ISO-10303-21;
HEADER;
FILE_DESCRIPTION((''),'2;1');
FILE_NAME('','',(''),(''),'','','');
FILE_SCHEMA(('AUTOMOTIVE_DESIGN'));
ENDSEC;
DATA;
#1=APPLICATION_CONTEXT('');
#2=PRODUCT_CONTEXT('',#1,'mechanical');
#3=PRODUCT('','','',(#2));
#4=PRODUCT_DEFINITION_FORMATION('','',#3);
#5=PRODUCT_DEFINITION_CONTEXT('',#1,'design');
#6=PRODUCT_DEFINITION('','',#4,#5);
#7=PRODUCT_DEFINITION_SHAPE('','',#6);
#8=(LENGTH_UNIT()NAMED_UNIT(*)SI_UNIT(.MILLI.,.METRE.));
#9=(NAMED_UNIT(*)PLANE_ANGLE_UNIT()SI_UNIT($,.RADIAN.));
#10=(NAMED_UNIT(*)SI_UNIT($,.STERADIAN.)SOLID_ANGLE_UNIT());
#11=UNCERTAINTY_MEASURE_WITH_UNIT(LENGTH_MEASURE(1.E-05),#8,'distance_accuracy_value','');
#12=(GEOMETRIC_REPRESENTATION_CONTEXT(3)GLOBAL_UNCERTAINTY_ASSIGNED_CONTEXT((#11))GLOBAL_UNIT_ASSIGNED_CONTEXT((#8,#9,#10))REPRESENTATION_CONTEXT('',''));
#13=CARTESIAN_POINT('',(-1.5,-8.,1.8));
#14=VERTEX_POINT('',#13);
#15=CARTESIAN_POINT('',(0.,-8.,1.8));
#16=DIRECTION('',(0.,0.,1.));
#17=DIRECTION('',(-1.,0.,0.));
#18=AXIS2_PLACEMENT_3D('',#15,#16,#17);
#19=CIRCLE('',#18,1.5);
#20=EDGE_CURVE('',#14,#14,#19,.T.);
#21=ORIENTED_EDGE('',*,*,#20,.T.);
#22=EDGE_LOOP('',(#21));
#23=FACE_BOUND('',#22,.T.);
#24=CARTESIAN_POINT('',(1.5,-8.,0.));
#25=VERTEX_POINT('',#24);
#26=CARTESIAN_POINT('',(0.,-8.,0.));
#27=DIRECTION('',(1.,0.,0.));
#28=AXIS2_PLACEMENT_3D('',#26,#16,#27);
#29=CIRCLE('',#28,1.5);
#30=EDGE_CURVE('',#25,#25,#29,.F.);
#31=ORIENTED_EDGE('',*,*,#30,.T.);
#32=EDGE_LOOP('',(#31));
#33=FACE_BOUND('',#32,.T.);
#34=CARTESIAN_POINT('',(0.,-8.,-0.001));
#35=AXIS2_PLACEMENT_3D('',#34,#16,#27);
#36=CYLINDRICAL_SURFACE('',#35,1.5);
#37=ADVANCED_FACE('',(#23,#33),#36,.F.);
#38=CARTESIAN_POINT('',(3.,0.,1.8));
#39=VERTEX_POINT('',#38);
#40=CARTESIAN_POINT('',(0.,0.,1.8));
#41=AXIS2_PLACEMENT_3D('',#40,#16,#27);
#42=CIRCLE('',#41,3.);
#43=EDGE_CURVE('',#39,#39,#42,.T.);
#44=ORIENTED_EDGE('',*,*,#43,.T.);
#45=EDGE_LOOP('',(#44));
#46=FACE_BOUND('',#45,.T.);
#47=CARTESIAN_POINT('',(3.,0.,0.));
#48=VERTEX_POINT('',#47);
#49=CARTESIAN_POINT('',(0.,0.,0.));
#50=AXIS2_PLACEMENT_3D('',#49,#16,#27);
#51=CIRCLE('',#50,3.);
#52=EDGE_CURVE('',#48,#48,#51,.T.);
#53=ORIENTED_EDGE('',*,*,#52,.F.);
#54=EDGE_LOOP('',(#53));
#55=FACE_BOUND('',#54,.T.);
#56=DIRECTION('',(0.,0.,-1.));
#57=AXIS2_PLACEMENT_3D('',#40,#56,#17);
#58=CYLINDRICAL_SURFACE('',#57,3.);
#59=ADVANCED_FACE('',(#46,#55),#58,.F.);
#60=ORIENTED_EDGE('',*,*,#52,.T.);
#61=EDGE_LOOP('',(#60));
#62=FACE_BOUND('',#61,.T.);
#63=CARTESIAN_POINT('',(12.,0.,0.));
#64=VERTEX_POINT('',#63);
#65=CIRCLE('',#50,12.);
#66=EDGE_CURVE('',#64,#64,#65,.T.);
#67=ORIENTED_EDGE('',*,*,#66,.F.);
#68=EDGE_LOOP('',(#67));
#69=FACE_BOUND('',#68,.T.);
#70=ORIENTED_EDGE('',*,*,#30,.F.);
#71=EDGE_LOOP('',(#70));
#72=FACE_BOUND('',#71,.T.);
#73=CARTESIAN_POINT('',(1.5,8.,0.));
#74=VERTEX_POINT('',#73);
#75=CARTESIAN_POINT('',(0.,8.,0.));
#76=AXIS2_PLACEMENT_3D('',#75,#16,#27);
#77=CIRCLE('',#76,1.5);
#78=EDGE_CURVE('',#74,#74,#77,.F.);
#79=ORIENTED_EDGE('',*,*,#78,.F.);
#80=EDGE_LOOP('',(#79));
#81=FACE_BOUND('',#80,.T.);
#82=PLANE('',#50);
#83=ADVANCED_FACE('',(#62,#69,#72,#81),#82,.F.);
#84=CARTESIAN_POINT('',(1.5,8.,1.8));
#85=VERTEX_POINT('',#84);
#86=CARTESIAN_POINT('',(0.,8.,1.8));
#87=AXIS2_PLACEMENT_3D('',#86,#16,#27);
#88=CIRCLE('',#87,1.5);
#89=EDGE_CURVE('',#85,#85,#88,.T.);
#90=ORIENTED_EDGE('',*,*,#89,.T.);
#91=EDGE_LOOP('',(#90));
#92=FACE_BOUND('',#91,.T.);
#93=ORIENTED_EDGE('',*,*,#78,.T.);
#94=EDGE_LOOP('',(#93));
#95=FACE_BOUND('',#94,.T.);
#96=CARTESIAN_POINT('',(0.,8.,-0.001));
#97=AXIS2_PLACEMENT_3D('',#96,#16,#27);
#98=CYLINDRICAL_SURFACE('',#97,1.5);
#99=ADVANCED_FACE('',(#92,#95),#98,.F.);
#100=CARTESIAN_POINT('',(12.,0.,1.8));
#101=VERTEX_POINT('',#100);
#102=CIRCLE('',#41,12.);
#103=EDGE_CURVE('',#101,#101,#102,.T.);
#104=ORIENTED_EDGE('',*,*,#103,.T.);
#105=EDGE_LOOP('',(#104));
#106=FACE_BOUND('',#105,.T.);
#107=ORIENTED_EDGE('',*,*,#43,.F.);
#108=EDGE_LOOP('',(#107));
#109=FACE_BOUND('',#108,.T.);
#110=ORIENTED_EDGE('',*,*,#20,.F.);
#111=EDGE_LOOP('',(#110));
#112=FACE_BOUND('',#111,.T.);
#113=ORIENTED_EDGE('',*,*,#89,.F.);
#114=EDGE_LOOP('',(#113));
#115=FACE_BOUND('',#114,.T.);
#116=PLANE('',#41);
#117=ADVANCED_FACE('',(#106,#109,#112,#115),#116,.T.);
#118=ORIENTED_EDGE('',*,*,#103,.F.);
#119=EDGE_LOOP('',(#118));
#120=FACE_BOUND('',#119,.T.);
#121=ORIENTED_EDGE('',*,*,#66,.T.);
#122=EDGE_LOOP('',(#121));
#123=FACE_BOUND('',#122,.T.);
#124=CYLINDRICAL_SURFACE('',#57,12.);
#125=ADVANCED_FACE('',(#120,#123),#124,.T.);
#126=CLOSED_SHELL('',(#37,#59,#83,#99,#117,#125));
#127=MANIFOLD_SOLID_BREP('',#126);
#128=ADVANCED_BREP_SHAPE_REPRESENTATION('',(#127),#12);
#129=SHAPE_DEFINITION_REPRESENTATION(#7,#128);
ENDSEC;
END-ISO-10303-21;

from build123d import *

# Parameters (mm, degrees)
ESQUISSE1_R             = 12
ESQUISSE1_R_2           = 3
BOSS_EXTRU_1_DEPTH      = 1.8
ENL_V_MAT_EXTRU_1_REACH = 19.066
ESQUISSE2_R             = 1.5


with BuildPart() as part:
    # Esquisse1 → Boss.-Extru.1 (new body)
    with BuildSketch(Plane.XY):
        Circle(ESQUISSE1_R)
        Circle(ESQUISSE1_R_2, mode=Mode.SUBTRACT)
    extrude(amount=BOSS_EXTRU_1_DEPTH)

    # Esquisse2 → Enlèv. mat.-Extru.1 (cut, up to next)
    with BuildSketch(Plane.XY.offset(1.8), mode=Mode.PRIVATE) as enl_v_mat_extru_1_sk1:
        with Locations((0, 8)):
            Circle(ESQUISSE2_R)
    enl_v_mat_extru_1_tool1 = extrude(enl_v_mat_extru_1_sk1.sketch, amount=-ENL_V_MAT_EXTRU_1_REACH, mode=Mode.PRIVATE) & part.part
    # Esquisse2 → Enlèv. mat.-Extru.1 (cut, up to next)
    with BuildSketch(Plane.XY.offset(1.8), mode=Mode.PRIVATE) as enl_v_mat_extru_1_sk2:
        with Locations((0, -8)):
            Circle(ESQUISSE2_R)
    enl_v_mat_extru_1_tool2 = extrude(enl_v_mat_extru_1_sk2.sketch, amount=-ENL_V_MAT_EXTRU_1_REACH, mode=Mode.PRIVATE) & part.part
    add(enl_v_mat_extru_1_tool1.solids().sort_by_distance((0, 8, 1.8))[0], mode=Mode.SUBTRACT)
    add(enl_v_mat_extru_1_tool2.solids().sort_by_distance((0, -8, 1.8))[0], mode=Mode.SUBTRACT)


solid = part.part
